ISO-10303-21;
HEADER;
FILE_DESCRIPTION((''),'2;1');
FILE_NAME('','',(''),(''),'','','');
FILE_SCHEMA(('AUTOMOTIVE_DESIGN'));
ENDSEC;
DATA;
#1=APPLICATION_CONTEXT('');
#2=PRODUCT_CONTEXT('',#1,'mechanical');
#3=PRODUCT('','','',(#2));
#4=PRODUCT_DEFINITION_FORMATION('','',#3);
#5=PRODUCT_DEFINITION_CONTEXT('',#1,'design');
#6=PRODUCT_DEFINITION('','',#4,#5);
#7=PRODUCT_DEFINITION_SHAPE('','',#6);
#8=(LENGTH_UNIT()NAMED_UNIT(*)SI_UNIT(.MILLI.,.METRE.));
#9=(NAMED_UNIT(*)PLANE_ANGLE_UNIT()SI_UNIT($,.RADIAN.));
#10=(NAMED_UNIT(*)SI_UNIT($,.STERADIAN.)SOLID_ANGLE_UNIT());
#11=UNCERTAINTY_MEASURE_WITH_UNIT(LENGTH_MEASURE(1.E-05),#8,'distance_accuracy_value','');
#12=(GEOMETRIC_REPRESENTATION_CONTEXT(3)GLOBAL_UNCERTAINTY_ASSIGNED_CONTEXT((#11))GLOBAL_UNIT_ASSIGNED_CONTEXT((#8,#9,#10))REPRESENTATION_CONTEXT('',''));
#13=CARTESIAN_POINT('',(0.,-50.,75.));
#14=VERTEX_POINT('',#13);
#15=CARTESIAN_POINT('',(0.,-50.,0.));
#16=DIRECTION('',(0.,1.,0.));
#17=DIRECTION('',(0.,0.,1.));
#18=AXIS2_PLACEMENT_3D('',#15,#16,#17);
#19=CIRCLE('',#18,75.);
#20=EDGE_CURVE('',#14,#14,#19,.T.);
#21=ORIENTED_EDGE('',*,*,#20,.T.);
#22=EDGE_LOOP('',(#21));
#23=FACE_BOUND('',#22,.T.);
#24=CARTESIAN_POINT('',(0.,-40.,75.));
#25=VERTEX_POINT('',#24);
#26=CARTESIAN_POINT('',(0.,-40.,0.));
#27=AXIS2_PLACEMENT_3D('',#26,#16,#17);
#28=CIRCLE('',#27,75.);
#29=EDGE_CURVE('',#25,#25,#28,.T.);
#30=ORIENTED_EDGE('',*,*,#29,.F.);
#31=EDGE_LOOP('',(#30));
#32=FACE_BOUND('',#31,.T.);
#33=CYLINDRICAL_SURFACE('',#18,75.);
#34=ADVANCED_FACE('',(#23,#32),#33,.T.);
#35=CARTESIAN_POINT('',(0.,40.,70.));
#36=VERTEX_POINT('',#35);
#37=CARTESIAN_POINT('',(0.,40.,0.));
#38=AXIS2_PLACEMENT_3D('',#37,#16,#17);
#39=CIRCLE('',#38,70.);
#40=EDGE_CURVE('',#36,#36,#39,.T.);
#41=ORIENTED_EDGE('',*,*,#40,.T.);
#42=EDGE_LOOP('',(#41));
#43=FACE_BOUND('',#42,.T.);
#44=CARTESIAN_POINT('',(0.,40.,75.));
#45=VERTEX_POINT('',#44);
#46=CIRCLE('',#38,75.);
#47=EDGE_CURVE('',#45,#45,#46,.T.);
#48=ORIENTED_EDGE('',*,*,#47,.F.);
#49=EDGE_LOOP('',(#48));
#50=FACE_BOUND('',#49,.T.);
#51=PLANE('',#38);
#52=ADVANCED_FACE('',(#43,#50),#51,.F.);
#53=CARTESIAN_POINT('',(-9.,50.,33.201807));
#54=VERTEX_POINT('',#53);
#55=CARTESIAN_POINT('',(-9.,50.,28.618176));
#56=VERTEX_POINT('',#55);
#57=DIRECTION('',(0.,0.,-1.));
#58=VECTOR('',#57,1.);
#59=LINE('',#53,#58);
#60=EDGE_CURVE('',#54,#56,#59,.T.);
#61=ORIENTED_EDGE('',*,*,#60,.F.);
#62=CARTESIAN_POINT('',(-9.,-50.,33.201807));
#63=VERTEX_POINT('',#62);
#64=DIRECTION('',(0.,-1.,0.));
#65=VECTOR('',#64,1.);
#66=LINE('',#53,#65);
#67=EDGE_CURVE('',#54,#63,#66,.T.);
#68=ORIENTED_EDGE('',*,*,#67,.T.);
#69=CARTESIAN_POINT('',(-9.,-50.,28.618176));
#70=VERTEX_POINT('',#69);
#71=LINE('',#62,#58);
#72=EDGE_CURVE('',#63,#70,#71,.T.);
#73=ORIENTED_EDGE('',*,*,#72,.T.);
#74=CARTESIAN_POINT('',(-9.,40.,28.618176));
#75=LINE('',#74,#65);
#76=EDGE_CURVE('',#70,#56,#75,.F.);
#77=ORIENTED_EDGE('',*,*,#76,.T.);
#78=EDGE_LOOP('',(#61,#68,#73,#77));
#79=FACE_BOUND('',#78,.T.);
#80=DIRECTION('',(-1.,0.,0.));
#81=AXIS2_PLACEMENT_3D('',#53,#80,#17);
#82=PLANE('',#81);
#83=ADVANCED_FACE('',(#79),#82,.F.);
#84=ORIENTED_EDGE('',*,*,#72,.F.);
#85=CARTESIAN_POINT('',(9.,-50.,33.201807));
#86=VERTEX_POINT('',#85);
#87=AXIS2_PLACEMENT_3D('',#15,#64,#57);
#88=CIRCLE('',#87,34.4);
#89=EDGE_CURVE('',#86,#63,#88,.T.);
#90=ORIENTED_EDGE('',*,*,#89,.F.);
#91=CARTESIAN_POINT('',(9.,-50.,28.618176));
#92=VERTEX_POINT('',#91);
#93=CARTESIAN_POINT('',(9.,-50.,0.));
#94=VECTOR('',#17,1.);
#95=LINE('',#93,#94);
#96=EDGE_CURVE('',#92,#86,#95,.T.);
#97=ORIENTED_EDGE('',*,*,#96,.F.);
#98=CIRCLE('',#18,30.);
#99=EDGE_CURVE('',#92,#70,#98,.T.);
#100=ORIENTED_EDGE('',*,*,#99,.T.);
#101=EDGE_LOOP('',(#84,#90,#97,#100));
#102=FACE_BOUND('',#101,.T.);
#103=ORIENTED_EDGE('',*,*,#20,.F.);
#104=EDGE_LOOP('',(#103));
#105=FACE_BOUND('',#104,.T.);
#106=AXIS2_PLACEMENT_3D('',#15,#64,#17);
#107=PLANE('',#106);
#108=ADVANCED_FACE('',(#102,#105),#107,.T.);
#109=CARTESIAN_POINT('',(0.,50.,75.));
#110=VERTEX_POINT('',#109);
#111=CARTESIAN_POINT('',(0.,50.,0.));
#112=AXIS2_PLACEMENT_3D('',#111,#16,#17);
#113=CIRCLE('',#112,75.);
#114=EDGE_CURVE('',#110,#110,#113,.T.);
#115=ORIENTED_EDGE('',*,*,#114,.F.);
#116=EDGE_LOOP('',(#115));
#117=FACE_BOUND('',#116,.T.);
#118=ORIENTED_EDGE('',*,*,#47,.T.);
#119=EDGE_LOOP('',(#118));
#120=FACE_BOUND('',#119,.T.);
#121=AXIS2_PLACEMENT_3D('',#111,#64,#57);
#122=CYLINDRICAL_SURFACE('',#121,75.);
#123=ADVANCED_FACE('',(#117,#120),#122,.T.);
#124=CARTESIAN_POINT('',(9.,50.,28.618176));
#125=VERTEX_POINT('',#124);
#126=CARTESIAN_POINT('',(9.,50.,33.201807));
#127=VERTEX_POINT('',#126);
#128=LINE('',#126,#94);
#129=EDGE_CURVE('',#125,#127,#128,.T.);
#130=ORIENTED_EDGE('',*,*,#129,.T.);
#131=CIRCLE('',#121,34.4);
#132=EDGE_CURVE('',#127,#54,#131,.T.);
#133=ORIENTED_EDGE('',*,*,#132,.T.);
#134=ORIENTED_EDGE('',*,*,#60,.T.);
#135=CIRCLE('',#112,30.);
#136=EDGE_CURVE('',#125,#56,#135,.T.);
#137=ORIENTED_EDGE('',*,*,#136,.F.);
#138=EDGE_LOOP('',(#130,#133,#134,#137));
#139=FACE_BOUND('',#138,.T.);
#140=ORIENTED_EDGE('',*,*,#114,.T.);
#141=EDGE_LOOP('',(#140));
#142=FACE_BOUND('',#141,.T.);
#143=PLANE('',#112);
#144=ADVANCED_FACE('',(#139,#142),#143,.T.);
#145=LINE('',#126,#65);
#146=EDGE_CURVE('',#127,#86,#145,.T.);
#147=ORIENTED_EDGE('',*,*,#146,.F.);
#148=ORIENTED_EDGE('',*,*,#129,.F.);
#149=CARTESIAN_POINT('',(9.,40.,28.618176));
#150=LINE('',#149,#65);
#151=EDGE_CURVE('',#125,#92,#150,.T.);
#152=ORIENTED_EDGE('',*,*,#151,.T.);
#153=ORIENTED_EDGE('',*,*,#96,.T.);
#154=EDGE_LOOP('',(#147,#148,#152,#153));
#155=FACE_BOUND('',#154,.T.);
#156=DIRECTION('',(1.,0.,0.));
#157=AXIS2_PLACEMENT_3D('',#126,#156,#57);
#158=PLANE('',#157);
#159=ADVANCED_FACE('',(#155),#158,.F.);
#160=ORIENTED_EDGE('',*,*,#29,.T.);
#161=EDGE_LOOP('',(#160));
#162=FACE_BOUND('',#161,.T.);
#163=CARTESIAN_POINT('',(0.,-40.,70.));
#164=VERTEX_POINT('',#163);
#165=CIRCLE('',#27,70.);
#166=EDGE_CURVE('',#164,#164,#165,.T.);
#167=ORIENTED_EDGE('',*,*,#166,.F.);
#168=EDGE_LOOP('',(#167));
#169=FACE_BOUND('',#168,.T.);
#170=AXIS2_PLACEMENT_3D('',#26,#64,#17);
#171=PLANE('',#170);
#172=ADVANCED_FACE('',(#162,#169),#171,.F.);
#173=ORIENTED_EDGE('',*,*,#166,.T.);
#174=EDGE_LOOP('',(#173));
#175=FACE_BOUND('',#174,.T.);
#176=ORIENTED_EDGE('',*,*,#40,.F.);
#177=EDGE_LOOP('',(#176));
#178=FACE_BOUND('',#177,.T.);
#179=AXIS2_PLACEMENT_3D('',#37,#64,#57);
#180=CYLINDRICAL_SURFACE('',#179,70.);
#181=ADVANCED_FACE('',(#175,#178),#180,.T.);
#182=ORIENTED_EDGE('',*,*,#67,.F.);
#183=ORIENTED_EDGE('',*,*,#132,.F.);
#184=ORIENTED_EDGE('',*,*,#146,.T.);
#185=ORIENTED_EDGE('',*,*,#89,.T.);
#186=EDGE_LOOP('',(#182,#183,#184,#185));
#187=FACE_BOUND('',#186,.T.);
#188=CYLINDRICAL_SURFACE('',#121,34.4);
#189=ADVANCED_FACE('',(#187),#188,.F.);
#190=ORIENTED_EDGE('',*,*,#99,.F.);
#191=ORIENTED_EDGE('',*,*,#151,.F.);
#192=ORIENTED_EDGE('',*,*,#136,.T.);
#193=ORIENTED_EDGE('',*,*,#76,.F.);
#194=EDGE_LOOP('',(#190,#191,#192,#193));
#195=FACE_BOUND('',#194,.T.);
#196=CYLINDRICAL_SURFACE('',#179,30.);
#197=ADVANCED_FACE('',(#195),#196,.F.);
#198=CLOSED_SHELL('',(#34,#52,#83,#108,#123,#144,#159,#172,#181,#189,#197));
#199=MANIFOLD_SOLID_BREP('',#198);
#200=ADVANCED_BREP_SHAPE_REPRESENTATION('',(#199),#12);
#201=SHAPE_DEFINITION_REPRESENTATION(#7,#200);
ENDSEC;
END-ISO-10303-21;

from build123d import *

# Parameters (mm, degrees)
SKETCH1_R           = 70
SKETCH1_R_2         = 30
BOSS_EXTRUDE1_DEPTH = 40
SKETCH2_R           = 75
SKETCH2_R_2         = 30
BOSS_EXTRUDE2_DEPTH = 10
CUT_EXTRUDE1_DEPTH  = 146.773797371


with BuildPart() as part:
    # Sketch1 → Boss-Extrude1 (new, symmetric)
    with BuildSketch(Plane(origin=(0, 0, 0), x_dir=(1, 0, 0), z_dir=(0, 1, 0))):
        with Locations(Location((0, 0, 0), (0, 0, 270))):
            Circle(SKETCH1_R)
        with Locations(Location((0, 0, 0), (0, 0, 270))):
            Circle(SKETCH1_R_2, mode=Mode.SUBTRACT)
    extrude(amount=BOSS_EXTRUDE1_DEPTH, both=True)

    # Sketch2 → Boss-Extrude2 (add)
    with BuildSketch(Plane(origin=(0, 40, 0), x_dir=(1, 0, 0), z_dir=(0, 1, 0))):
        with Locations(Location((0, 0, 0), (0, 0, 270))):
            Circle(SKETCH2_R)
        with Locations(Location((0, 0, 0), (0, 0, 270))):
            Circle(SKETCH2_R_2, mode=Mode.SUBTRACT)
    boss_extrude2 = extrude(amount=BOSS_EXTRUDE2_DEPTH)

    # Mirror1: Boss-Extrude2 across plane
    add(boss_extrude2.mirror(Plane.ZX))

    # Sketch3 → Cut-Extrude1 (cut, through all)
    with BuildSketch(Plane.XZ.offset(50)):
        with BuildLine():
            Line((-9, 33.20180718), (-9, 19.467949782))
            Line((-9, 19.467949782), (9, 19.467949782))
            Line((9, 19.467949782), (9, 33.20180718))
            ThreePointArc((9, 33.20180718), (0, 34.4), (-9, 33.20180718))
        make_face()
    extrude(amount=-CUT_EXTRUDE1_DEPTH, mode=Mode.SUBTRACT)


solid = part.part
